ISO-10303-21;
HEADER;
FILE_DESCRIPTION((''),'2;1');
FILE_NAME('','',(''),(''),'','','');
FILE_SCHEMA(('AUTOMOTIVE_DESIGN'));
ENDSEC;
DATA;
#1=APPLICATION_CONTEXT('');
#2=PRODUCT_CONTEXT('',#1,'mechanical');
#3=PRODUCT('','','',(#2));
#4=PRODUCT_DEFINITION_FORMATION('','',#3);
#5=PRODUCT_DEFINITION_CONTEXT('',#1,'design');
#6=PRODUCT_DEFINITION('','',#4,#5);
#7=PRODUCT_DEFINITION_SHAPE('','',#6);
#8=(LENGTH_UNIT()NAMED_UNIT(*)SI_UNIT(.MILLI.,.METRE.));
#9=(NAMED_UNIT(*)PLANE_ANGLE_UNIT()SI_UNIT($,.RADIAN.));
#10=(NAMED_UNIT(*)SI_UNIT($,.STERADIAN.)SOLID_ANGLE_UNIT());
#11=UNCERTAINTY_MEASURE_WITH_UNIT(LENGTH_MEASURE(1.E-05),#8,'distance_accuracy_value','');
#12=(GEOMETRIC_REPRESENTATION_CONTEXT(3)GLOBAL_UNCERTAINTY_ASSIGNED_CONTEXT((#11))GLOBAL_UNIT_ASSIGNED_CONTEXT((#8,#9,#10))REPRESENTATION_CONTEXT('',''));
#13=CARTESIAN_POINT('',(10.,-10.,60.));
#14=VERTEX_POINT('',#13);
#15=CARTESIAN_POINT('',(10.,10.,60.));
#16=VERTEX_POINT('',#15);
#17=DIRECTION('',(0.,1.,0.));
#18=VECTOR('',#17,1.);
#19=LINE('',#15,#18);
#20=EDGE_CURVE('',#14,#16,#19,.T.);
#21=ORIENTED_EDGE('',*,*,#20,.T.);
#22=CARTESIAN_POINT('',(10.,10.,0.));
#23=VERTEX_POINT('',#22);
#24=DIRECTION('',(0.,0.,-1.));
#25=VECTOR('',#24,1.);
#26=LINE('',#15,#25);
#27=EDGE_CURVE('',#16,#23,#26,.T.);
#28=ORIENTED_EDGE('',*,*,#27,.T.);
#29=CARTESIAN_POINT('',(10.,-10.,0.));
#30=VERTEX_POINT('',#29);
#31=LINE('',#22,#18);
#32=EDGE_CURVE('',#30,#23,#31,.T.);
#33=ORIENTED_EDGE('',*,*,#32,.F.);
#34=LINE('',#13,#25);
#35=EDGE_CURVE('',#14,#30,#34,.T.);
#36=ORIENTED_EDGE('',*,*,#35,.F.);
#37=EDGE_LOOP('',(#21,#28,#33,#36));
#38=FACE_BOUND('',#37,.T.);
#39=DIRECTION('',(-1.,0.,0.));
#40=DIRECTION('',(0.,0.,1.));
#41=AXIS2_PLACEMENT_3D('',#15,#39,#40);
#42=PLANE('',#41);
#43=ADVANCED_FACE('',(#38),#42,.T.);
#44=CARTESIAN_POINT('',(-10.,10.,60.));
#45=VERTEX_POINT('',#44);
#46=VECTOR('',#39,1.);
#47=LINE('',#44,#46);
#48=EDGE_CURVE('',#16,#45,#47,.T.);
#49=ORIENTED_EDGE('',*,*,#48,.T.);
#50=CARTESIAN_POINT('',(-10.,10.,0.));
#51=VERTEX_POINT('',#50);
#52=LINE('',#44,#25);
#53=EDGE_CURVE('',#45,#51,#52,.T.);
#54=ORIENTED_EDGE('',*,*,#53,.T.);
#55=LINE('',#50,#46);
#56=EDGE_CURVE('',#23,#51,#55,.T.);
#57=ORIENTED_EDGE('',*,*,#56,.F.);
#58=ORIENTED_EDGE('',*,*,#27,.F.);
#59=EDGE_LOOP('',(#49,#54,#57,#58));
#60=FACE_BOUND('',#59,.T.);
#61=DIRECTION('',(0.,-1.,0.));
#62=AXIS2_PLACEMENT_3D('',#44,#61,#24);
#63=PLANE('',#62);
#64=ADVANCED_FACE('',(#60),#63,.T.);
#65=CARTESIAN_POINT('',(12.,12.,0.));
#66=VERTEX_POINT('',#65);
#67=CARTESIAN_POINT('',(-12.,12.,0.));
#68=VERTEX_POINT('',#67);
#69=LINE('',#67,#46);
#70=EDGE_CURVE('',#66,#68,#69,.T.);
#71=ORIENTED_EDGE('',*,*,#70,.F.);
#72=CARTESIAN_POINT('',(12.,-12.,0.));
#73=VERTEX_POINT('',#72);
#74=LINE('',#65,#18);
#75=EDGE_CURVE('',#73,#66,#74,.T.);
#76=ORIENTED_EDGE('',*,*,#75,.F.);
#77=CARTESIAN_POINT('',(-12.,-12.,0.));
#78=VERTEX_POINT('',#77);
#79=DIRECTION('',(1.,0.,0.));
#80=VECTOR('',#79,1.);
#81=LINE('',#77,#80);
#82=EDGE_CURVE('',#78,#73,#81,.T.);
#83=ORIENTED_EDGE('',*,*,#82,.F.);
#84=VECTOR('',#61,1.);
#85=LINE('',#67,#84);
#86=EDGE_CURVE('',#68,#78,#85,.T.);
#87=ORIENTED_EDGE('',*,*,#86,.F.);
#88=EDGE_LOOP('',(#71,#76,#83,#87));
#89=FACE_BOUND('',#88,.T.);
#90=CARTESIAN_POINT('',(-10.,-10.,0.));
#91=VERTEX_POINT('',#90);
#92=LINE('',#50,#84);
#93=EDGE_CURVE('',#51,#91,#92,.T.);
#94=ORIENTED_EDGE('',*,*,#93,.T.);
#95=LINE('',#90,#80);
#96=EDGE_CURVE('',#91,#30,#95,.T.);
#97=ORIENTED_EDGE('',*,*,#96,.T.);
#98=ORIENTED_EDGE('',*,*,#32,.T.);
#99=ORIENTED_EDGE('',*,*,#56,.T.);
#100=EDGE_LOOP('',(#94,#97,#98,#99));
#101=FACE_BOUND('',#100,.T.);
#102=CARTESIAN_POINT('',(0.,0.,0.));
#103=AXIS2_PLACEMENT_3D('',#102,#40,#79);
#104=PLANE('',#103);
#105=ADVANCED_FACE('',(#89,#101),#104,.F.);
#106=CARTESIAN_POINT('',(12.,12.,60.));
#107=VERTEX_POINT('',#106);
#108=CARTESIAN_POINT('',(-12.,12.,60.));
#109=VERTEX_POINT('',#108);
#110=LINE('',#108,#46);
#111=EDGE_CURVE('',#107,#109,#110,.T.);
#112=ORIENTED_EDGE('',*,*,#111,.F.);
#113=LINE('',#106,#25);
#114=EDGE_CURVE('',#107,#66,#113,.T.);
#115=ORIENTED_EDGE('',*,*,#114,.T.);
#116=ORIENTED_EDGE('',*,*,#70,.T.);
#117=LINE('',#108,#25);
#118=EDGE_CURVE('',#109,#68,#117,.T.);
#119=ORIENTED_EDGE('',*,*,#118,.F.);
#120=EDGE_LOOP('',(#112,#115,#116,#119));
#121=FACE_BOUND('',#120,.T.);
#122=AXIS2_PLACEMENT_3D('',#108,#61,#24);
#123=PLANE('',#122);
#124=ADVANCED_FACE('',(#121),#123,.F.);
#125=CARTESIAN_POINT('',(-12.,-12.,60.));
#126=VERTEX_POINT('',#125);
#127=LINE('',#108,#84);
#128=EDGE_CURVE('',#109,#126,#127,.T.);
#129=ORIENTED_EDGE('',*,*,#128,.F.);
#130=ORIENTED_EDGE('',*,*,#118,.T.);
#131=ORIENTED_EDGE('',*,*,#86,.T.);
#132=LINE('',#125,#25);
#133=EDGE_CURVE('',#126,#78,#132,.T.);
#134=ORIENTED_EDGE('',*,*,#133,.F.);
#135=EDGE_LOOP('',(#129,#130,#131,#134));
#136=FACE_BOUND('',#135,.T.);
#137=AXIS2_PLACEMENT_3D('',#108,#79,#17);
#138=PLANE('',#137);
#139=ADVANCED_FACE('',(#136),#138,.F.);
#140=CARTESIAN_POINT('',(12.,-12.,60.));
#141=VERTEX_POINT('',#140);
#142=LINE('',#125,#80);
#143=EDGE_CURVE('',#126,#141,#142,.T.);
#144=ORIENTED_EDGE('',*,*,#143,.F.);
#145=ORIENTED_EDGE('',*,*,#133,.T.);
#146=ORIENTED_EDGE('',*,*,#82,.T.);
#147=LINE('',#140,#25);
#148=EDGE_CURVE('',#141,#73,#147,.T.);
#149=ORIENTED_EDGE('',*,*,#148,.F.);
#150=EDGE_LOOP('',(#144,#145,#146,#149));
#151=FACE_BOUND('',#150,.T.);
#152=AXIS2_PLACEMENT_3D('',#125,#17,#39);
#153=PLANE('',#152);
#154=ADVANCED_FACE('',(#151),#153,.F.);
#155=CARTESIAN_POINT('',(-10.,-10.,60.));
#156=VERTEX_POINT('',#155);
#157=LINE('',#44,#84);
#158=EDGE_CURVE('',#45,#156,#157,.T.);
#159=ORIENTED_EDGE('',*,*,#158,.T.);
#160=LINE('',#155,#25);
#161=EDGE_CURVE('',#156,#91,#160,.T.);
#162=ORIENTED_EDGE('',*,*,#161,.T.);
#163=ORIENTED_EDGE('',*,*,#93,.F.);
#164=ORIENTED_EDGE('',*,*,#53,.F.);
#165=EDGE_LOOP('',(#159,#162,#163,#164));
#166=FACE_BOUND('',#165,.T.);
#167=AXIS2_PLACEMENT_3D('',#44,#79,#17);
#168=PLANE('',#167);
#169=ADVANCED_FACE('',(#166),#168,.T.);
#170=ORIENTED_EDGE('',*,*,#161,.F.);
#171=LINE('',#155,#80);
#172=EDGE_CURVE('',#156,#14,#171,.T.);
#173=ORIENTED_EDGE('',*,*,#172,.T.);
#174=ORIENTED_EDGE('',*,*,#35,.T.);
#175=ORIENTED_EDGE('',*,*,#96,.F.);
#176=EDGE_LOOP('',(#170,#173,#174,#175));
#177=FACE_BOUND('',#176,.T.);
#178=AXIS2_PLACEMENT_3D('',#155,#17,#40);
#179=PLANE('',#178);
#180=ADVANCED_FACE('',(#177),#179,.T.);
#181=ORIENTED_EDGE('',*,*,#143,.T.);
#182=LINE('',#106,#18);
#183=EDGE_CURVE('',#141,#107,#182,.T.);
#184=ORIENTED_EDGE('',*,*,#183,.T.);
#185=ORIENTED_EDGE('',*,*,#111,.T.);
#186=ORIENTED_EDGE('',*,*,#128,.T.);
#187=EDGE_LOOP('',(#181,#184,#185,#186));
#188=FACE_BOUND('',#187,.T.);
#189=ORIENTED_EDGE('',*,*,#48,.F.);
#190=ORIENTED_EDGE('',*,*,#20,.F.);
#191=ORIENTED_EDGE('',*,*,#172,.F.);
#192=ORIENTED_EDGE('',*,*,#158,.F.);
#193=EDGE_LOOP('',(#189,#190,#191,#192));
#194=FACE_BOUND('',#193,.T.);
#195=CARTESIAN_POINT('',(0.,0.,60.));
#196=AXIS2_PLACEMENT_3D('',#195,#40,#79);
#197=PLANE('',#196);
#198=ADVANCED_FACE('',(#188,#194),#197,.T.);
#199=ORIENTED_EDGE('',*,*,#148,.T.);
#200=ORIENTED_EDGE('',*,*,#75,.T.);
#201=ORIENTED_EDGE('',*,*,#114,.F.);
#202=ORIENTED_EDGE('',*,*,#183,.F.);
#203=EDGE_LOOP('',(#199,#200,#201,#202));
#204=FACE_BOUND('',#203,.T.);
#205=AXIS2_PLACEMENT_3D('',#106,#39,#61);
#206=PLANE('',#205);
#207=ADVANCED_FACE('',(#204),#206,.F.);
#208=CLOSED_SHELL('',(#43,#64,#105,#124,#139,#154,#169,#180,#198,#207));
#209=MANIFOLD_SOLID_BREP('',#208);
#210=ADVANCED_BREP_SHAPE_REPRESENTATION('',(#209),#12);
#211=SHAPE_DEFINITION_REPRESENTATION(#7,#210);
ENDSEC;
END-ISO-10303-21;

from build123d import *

# Parameters (mm, degrees)
SKETCH_1_W      = 24
SKETCH_1_H      = 24
SKETCH_1_W_2    = 20
SKETCH_1_H_2    = 20
EXTRUDE_1_DEPTH = 60


with BuildPart() as part:
    # 草图1 → 凸台-拉伸1 (new body)
    with BuildSketch(Plane.XY):
        Rectangle(SKETCH_1_W, SKETCH_1_H)
        Rectangle(SKETCH_1_W_2, SKETCH_1_H_2, mode=Mode.SUBTRACT)
    extrude(amount=EXTRUDE_1_DEPTH)


solid = part.part
